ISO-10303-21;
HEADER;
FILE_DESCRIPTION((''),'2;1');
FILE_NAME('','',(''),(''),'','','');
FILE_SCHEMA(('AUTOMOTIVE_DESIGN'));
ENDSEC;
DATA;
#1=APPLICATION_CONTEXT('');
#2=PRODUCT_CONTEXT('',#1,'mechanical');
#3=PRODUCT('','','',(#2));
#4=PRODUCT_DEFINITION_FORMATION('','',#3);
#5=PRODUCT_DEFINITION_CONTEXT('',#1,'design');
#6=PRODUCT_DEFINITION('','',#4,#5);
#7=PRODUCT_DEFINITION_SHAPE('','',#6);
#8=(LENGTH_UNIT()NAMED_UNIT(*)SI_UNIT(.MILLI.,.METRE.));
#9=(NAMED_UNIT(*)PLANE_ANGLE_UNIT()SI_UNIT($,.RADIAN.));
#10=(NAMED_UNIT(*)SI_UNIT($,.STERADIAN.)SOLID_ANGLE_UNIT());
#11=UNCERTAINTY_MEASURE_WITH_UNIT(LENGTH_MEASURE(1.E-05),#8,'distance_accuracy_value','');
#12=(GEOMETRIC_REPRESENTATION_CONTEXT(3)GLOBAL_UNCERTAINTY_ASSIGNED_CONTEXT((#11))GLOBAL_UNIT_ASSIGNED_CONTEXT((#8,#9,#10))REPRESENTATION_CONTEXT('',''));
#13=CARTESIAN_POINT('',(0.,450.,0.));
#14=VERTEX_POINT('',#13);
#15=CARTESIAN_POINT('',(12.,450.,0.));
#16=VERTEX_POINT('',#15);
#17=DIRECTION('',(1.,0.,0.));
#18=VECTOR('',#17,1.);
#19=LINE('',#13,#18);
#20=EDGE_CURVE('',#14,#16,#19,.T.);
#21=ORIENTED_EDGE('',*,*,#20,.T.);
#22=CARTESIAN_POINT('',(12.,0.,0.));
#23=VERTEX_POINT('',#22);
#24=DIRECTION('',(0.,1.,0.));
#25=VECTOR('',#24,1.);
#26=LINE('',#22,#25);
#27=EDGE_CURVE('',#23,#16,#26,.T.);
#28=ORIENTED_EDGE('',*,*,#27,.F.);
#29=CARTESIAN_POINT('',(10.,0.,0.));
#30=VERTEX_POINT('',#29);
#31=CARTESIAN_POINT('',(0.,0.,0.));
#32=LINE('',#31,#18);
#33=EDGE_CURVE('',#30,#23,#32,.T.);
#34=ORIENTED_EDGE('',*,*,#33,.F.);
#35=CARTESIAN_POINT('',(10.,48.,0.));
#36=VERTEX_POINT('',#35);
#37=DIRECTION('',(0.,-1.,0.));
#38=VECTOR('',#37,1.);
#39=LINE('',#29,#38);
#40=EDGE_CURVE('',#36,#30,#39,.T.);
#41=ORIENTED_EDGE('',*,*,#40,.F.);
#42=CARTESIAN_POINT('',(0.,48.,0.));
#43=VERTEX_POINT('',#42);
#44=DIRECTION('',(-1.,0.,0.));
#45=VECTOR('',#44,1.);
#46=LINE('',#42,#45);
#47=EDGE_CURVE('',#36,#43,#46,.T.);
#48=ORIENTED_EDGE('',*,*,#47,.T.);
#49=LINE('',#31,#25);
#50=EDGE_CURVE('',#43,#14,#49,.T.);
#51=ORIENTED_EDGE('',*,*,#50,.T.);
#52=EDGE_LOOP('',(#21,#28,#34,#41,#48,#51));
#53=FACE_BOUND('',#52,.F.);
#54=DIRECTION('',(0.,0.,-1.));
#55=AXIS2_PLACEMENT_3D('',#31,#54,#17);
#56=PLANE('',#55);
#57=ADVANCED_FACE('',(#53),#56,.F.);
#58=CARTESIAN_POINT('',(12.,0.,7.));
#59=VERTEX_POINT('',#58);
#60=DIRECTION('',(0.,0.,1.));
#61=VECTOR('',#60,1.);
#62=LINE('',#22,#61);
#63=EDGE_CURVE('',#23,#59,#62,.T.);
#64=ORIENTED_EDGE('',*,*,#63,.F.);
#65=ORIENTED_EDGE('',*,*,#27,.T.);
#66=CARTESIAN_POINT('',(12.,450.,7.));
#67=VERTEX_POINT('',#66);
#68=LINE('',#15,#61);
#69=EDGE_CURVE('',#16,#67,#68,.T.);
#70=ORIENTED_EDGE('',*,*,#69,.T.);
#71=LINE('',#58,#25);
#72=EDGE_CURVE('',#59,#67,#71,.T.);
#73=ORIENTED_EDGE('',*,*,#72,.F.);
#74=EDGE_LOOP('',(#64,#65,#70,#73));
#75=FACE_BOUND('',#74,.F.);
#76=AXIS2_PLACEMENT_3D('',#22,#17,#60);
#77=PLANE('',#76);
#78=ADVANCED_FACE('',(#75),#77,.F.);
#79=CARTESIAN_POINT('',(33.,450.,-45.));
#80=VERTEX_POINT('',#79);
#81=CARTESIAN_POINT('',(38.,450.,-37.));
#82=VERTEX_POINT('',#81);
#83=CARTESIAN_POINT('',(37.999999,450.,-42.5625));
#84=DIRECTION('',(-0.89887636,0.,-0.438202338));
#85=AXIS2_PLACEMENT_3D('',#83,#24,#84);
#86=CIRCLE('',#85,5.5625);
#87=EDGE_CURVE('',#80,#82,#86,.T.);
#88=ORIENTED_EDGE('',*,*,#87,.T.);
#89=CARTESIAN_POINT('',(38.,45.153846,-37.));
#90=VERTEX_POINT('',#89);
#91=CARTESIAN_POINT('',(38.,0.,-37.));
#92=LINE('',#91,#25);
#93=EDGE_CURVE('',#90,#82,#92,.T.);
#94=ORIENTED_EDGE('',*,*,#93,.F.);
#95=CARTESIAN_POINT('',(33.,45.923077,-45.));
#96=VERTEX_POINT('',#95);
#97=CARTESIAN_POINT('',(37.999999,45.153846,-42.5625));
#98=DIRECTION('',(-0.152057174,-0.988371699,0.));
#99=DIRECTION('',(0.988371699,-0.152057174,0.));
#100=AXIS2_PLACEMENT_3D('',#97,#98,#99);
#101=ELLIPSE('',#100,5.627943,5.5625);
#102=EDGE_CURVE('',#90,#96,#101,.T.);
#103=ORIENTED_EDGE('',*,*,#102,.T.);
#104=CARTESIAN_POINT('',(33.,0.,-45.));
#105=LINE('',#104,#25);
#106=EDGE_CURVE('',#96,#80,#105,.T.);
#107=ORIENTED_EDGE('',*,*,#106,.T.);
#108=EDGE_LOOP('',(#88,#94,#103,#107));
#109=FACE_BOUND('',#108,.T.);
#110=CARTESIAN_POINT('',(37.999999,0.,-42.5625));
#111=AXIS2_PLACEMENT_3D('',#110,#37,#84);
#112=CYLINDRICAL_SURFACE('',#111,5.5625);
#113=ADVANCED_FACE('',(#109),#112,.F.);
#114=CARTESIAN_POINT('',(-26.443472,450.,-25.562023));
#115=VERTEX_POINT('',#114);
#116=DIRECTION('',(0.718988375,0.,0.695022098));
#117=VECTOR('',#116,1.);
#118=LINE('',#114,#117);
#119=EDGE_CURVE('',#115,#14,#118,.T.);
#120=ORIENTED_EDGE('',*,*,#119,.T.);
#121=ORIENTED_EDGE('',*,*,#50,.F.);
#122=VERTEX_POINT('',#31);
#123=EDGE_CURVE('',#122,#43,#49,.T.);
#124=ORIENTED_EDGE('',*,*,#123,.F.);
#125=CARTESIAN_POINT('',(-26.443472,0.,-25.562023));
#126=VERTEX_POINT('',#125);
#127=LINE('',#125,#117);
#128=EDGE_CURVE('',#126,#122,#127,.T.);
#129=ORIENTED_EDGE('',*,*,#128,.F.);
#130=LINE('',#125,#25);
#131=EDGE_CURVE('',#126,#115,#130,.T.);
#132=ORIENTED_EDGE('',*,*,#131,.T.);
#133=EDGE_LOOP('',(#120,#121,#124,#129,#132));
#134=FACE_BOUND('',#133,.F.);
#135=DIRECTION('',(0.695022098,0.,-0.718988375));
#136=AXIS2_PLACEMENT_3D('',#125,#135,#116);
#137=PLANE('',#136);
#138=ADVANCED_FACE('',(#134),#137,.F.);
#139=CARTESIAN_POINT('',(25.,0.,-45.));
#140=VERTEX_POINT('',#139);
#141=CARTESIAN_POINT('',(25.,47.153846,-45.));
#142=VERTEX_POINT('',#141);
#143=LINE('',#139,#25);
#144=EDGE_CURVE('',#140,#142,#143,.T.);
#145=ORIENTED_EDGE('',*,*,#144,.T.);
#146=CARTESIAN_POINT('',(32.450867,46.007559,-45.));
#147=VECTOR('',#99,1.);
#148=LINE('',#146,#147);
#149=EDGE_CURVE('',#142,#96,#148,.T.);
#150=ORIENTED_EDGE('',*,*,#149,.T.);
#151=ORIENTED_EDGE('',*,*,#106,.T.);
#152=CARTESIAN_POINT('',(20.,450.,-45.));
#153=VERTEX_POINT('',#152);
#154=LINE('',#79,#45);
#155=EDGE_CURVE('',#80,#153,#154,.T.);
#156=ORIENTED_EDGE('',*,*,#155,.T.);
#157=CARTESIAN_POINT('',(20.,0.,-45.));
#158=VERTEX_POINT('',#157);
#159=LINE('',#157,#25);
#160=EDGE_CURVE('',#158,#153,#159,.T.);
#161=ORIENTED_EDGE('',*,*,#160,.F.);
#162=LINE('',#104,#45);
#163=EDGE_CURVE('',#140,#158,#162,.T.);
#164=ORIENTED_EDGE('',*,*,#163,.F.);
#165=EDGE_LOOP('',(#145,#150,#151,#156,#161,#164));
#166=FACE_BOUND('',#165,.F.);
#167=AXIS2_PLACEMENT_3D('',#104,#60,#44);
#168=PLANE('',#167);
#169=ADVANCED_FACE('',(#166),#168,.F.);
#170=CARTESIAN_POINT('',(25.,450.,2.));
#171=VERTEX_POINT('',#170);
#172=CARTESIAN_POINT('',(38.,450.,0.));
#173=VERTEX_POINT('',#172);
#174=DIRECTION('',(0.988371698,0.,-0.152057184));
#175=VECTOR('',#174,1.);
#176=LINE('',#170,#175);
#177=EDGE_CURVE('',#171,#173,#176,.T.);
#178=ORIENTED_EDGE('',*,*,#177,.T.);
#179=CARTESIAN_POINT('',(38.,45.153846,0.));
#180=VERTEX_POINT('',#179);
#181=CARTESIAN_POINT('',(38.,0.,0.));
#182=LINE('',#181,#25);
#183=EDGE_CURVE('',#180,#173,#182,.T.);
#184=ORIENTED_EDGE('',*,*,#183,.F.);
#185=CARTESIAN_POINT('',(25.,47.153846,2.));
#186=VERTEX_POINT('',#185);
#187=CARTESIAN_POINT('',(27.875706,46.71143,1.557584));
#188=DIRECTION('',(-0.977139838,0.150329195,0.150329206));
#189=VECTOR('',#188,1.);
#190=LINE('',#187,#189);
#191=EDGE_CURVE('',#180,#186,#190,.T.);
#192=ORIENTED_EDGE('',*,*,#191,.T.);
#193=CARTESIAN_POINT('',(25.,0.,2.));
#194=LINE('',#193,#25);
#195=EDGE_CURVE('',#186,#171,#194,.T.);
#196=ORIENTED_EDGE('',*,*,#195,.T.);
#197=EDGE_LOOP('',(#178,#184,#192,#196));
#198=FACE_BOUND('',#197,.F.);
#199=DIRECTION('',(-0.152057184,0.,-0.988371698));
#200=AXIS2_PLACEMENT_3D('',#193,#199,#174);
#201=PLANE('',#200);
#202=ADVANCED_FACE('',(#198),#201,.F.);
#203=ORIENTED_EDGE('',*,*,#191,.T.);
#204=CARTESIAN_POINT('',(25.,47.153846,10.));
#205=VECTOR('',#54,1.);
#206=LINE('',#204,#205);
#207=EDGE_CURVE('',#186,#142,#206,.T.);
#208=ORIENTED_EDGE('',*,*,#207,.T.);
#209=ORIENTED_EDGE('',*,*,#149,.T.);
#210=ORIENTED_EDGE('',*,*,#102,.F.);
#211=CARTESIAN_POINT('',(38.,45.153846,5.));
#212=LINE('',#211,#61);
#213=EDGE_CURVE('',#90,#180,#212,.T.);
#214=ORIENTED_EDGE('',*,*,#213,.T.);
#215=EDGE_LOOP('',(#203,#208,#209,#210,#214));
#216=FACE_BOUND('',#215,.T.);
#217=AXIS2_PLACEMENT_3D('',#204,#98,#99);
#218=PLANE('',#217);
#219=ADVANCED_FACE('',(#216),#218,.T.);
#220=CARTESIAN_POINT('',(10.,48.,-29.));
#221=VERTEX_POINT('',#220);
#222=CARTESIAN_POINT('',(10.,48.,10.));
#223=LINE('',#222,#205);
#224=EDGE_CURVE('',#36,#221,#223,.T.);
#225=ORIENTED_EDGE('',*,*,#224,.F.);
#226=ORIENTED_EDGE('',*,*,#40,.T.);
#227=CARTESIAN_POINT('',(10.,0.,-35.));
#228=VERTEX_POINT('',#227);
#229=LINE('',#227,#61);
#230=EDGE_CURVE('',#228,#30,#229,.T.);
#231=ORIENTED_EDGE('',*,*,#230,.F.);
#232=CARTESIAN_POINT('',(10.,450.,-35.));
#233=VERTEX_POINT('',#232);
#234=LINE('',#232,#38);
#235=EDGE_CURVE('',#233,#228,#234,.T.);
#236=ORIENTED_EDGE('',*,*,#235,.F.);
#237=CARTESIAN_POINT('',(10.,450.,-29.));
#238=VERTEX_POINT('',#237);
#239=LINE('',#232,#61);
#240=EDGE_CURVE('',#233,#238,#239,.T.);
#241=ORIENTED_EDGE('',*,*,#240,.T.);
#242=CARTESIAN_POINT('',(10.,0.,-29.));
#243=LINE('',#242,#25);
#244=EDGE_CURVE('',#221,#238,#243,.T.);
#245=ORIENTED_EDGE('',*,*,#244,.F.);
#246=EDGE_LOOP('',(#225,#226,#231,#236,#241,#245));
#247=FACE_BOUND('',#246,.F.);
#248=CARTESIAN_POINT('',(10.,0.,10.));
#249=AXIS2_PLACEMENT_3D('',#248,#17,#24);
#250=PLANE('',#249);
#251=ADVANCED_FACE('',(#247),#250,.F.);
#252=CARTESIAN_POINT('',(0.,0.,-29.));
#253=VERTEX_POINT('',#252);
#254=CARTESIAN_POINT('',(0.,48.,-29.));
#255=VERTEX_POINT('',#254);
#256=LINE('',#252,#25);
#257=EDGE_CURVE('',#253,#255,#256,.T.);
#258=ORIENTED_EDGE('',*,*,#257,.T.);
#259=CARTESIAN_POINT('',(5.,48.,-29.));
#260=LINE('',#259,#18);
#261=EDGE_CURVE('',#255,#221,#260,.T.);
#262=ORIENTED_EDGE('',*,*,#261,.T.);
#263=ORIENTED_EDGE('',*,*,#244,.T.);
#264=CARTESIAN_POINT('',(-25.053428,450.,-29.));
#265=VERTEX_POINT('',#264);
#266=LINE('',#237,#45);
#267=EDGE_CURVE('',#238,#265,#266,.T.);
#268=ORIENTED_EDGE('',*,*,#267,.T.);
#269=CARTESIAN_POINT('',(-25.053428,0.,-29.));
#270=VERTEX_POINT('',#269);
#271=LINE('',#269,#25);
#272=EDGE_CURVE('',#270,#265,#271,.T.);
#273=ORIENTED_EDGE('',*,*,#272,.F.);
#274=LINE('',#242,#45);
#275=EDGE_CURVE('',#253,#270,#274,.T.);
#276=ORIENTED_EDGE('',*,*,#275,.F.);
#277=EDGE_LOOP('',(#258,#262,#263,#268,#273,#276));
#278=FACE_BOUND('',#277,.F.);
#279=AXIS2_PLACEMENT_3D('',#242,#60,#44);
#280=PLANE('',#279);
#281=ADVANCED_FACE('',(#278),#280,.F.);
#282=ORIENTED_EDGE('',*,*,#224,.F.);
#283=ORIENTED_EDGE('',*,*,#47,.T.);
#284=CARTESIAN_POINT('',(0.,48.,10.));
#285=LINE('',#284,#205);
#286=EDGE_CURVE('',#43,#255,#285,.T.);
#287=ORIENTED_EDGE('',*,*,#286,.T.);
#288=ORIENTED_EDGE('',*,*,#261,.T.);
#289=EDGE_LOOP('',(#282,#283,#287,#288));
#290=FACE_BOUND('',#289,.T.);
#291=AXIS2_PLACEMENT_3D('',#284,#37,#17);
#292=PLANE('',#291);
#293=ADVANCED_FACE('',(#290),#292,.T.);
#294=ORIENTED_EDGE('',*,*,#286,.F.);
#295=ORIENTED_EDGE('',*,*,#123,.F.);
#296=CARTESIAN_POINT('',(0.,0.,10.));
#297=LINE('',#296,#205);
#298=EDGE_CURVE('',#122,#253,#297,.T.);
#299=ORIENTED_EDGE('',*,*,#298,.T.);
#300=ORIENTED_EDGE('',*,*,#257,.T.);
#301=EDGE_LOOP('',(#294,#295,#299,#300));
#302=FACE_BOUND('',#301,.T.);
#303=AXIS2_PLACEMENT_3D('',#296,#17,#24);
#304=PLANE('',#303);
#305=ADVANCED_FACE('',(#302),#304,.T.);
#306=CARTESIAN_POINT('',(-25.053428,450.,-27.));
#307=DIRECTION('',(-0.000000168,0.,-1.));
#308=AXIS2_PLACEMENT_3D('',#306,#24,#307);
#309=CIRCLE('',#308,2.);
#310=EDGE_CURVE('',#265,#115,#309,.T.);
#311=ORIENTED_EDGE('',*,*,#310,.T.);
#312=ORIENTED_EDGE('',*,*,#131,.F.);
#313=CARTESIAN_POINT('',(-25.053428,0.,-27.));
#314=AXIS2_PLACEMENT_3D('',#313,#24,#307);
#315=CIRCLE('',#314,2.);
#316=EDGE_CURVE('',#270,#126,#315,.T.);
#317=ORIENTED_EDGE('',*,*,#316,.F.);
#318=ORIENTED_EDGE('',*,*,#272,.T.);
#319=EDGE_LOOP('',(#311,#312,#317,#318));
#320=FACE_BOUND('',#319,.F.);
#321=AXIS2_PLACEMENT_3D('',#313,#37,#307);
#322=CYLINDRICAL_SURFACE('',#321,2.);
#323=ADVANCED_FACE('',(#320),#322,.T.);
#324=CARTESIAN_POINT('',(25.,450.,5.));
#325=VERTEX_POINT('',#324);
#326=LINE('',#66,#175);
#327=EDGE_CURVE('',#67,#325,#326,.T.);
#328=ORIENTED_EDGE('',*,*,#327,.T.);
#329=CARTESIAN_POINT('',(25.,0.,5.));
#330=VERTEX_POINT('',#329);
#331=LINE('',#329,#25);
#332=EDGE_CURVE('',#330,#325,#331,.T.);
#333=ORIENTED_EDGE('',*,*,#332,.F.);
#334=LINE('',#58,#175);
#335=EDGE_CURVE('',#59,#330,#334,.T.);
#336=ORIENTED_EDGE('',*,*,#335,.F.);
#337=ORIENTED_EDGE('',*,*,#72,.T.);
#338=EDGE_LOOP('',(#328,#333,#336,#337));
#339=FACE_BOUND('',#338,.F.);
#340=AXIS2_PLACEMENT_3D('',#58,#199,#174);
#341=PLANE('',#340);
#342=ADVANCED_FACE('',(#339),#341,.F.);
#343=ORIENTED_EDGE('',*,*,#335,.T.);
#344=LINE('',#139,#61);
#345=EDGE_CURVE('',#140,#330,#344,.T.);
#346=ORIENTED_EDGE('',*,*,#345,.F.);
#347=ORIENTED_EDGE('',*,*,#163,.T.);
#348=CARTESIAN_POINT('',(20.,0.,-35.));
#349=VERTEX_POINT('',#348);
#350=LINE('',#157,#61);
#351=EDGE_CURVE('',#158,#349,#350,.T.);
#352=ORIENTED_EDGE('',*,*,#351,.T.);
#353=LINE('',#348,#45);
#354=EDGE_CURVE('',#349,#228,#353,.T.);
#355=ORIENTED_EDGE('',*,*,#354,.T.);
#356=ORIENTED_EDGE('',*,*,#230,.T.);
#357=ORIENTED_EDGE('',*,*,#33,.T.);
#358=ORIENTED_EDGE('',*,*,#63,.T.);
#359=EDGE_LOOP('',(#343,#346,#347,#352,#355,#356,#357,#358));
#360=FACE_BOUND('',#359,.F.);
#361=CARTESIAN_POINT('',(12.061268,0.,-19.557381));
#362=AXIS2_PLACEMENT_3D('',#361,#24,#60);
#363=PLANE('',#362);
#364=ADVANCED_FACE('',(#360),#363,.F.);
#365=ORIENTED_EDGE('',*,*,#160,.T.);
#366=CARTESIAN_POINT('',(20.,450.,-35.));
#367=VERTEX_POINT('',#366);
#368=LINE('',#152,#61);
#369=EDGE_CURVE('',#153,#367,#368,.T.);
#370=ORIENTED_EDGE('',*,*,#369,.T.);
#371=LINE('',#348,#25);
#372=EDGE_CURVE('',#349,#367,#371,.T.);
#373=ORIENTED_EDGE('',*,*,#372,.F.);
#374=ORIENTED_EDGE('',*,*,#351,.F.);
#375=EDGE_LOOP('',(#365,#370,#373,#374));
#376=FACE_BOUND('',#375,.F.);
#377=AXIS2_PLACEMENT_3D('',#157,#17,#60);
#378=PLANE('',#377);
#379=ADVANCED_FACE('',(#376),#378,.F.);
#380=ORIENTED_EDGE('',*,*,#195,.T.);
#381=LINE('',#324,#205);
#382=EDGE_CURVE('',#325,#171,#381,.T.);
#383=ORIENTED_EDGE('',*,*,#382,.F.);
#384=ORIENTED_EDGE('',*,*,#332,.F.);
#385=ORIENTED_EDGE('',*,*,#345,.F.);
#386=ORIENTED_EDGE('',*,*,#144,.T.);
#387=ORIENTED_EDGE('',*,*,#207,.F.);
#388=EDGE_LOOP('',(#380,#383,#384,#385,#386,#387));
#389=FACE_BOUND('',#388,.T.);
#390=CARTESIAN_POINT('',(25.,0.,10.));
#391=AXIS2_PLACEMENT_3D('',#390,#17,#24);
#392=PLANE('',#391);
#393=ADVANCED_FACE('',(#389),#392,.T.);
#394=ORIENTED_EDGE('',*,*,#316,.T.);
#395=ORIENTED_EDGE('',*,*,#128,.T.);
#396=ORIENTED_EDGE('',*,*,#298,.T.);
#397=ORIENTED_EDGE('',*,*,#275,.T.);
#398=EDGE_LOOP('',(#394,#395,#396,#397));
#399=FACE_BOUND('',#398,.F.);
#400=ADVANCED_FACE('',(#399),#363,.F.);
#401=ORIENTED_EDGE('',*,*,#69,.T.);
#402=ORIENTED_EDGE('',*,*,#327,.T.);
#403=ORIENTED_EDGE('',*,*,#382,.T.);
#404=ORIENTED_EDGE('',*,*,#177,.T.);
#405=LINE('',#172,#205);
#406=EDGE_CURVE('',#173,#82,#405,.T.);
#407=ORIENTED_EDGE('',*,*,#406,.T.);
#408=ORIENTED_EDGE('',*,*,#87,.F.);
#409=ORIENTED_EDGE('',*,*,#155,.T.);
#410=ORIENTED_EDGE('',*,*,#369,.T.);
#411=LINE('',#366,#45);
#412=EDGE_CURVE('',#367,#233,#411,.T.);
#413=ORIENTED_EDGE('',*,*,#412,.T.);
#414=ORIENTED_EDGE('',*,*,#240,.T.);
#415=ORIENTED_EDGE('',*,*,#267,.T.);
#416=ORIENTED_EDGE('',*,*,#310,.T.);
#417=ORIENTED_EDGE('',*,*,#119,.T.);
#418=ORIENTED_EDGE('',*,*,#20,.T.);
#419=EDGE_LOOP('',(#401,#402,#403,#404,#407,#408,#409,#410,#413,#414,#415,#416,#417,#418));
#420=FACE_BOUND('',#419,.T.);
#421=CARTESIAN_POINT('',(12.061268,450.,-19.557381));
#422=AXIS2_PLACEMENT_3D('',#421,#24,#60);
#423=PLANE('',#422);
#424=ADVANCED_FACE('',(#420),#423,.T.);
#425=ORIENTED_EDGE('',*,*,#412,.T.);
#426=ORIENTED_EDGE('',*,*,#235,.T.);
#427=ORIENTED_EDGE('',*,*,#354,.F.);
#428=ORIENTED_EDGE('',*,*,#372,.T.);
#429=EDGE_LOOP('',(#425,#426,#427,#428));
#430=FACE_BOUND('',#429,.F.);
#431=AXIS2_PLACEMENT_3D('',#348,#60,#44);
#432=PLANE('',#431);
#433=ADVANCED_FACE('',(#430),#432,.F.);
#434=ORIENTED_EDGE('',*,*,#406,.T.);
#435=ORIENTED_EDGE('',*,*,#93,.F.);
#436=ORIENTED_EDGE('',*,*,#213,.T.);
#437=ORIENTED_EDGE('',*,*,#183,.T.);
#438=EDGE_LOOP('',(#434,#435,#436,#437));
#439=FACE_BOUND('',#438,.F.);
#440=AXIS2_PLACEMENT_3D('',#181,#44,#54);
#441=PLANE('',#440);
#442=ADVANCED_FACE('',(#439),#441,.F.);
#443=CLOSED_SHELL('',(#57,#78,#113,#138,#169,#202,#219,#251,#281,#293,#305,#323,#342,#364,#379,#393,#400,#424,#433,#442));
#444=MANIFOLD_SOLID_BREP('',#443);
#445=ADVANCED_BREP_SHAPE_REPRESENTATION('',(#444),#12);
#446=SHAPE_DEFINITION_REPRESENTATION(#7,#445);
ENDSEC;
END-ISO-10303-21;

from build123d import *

# Parameters (mm, degrees)
PAD005_DEPTH    = 450
POCKET002_DEPTH = 60
SKETCH011_W     = 10
SKETCH011_H     = 48
POCKET003_DEPTH = 60


with BuildPart() as part:
    # Sketch008 → Pad005 (new body)
    with BuildSketch(Plane.ZX):
        with BuildLine():
            Line((0, 0), (0, 12))
            Line((0, 12), (7, 12))
            Line((7, 12), (5, 25))
            Line((5, 25), (2, 25))
            Line((2, 25), (0, 38))
            Line((0, 38), (-37, 38))
            ThreePointArc((-45, 33), (-39.614381, 33.283009), (-37, 38))
            Line((-45, 33), (-45, 20))
            Line((-45, 20), (-35, 20))
            Line((-35, 20), (-35, 10))
            Line((-35, 10), (-29, 10))
            Line((-29, 10), (-29, -25.053428))
            ThreePointArc((-29, -25.053428), (-27.749682, -26.907606), (-25.562023, -26.443472))
            Line((-25.562023, -26.443472), (0, 0))
        make_face()
    extrude(amount=PAD005_DEPTH)

    # Sketch010 → Pocket002 (cut)
    with BuildSketch(Plane.XY.offset(10)):
        Polygon((25, 0), (25, 47.153846), (39, 45), (39, 0), align=None)
    extrude(amount=-POCKET002_DEPTH, mode=Mode.SUBTRACT)

    # Sketch011 → Pocket003 (cut)
    with BuildSketch(Plane.XY.offset(10)):
        with Locations((5, 24)):
            Rectangle(SKETCH011_W, SKETCH011_H)
    extrude(amount=-POCKET003_DEPTH, mode=Mode.SUBTRACT)


solid = part.part
